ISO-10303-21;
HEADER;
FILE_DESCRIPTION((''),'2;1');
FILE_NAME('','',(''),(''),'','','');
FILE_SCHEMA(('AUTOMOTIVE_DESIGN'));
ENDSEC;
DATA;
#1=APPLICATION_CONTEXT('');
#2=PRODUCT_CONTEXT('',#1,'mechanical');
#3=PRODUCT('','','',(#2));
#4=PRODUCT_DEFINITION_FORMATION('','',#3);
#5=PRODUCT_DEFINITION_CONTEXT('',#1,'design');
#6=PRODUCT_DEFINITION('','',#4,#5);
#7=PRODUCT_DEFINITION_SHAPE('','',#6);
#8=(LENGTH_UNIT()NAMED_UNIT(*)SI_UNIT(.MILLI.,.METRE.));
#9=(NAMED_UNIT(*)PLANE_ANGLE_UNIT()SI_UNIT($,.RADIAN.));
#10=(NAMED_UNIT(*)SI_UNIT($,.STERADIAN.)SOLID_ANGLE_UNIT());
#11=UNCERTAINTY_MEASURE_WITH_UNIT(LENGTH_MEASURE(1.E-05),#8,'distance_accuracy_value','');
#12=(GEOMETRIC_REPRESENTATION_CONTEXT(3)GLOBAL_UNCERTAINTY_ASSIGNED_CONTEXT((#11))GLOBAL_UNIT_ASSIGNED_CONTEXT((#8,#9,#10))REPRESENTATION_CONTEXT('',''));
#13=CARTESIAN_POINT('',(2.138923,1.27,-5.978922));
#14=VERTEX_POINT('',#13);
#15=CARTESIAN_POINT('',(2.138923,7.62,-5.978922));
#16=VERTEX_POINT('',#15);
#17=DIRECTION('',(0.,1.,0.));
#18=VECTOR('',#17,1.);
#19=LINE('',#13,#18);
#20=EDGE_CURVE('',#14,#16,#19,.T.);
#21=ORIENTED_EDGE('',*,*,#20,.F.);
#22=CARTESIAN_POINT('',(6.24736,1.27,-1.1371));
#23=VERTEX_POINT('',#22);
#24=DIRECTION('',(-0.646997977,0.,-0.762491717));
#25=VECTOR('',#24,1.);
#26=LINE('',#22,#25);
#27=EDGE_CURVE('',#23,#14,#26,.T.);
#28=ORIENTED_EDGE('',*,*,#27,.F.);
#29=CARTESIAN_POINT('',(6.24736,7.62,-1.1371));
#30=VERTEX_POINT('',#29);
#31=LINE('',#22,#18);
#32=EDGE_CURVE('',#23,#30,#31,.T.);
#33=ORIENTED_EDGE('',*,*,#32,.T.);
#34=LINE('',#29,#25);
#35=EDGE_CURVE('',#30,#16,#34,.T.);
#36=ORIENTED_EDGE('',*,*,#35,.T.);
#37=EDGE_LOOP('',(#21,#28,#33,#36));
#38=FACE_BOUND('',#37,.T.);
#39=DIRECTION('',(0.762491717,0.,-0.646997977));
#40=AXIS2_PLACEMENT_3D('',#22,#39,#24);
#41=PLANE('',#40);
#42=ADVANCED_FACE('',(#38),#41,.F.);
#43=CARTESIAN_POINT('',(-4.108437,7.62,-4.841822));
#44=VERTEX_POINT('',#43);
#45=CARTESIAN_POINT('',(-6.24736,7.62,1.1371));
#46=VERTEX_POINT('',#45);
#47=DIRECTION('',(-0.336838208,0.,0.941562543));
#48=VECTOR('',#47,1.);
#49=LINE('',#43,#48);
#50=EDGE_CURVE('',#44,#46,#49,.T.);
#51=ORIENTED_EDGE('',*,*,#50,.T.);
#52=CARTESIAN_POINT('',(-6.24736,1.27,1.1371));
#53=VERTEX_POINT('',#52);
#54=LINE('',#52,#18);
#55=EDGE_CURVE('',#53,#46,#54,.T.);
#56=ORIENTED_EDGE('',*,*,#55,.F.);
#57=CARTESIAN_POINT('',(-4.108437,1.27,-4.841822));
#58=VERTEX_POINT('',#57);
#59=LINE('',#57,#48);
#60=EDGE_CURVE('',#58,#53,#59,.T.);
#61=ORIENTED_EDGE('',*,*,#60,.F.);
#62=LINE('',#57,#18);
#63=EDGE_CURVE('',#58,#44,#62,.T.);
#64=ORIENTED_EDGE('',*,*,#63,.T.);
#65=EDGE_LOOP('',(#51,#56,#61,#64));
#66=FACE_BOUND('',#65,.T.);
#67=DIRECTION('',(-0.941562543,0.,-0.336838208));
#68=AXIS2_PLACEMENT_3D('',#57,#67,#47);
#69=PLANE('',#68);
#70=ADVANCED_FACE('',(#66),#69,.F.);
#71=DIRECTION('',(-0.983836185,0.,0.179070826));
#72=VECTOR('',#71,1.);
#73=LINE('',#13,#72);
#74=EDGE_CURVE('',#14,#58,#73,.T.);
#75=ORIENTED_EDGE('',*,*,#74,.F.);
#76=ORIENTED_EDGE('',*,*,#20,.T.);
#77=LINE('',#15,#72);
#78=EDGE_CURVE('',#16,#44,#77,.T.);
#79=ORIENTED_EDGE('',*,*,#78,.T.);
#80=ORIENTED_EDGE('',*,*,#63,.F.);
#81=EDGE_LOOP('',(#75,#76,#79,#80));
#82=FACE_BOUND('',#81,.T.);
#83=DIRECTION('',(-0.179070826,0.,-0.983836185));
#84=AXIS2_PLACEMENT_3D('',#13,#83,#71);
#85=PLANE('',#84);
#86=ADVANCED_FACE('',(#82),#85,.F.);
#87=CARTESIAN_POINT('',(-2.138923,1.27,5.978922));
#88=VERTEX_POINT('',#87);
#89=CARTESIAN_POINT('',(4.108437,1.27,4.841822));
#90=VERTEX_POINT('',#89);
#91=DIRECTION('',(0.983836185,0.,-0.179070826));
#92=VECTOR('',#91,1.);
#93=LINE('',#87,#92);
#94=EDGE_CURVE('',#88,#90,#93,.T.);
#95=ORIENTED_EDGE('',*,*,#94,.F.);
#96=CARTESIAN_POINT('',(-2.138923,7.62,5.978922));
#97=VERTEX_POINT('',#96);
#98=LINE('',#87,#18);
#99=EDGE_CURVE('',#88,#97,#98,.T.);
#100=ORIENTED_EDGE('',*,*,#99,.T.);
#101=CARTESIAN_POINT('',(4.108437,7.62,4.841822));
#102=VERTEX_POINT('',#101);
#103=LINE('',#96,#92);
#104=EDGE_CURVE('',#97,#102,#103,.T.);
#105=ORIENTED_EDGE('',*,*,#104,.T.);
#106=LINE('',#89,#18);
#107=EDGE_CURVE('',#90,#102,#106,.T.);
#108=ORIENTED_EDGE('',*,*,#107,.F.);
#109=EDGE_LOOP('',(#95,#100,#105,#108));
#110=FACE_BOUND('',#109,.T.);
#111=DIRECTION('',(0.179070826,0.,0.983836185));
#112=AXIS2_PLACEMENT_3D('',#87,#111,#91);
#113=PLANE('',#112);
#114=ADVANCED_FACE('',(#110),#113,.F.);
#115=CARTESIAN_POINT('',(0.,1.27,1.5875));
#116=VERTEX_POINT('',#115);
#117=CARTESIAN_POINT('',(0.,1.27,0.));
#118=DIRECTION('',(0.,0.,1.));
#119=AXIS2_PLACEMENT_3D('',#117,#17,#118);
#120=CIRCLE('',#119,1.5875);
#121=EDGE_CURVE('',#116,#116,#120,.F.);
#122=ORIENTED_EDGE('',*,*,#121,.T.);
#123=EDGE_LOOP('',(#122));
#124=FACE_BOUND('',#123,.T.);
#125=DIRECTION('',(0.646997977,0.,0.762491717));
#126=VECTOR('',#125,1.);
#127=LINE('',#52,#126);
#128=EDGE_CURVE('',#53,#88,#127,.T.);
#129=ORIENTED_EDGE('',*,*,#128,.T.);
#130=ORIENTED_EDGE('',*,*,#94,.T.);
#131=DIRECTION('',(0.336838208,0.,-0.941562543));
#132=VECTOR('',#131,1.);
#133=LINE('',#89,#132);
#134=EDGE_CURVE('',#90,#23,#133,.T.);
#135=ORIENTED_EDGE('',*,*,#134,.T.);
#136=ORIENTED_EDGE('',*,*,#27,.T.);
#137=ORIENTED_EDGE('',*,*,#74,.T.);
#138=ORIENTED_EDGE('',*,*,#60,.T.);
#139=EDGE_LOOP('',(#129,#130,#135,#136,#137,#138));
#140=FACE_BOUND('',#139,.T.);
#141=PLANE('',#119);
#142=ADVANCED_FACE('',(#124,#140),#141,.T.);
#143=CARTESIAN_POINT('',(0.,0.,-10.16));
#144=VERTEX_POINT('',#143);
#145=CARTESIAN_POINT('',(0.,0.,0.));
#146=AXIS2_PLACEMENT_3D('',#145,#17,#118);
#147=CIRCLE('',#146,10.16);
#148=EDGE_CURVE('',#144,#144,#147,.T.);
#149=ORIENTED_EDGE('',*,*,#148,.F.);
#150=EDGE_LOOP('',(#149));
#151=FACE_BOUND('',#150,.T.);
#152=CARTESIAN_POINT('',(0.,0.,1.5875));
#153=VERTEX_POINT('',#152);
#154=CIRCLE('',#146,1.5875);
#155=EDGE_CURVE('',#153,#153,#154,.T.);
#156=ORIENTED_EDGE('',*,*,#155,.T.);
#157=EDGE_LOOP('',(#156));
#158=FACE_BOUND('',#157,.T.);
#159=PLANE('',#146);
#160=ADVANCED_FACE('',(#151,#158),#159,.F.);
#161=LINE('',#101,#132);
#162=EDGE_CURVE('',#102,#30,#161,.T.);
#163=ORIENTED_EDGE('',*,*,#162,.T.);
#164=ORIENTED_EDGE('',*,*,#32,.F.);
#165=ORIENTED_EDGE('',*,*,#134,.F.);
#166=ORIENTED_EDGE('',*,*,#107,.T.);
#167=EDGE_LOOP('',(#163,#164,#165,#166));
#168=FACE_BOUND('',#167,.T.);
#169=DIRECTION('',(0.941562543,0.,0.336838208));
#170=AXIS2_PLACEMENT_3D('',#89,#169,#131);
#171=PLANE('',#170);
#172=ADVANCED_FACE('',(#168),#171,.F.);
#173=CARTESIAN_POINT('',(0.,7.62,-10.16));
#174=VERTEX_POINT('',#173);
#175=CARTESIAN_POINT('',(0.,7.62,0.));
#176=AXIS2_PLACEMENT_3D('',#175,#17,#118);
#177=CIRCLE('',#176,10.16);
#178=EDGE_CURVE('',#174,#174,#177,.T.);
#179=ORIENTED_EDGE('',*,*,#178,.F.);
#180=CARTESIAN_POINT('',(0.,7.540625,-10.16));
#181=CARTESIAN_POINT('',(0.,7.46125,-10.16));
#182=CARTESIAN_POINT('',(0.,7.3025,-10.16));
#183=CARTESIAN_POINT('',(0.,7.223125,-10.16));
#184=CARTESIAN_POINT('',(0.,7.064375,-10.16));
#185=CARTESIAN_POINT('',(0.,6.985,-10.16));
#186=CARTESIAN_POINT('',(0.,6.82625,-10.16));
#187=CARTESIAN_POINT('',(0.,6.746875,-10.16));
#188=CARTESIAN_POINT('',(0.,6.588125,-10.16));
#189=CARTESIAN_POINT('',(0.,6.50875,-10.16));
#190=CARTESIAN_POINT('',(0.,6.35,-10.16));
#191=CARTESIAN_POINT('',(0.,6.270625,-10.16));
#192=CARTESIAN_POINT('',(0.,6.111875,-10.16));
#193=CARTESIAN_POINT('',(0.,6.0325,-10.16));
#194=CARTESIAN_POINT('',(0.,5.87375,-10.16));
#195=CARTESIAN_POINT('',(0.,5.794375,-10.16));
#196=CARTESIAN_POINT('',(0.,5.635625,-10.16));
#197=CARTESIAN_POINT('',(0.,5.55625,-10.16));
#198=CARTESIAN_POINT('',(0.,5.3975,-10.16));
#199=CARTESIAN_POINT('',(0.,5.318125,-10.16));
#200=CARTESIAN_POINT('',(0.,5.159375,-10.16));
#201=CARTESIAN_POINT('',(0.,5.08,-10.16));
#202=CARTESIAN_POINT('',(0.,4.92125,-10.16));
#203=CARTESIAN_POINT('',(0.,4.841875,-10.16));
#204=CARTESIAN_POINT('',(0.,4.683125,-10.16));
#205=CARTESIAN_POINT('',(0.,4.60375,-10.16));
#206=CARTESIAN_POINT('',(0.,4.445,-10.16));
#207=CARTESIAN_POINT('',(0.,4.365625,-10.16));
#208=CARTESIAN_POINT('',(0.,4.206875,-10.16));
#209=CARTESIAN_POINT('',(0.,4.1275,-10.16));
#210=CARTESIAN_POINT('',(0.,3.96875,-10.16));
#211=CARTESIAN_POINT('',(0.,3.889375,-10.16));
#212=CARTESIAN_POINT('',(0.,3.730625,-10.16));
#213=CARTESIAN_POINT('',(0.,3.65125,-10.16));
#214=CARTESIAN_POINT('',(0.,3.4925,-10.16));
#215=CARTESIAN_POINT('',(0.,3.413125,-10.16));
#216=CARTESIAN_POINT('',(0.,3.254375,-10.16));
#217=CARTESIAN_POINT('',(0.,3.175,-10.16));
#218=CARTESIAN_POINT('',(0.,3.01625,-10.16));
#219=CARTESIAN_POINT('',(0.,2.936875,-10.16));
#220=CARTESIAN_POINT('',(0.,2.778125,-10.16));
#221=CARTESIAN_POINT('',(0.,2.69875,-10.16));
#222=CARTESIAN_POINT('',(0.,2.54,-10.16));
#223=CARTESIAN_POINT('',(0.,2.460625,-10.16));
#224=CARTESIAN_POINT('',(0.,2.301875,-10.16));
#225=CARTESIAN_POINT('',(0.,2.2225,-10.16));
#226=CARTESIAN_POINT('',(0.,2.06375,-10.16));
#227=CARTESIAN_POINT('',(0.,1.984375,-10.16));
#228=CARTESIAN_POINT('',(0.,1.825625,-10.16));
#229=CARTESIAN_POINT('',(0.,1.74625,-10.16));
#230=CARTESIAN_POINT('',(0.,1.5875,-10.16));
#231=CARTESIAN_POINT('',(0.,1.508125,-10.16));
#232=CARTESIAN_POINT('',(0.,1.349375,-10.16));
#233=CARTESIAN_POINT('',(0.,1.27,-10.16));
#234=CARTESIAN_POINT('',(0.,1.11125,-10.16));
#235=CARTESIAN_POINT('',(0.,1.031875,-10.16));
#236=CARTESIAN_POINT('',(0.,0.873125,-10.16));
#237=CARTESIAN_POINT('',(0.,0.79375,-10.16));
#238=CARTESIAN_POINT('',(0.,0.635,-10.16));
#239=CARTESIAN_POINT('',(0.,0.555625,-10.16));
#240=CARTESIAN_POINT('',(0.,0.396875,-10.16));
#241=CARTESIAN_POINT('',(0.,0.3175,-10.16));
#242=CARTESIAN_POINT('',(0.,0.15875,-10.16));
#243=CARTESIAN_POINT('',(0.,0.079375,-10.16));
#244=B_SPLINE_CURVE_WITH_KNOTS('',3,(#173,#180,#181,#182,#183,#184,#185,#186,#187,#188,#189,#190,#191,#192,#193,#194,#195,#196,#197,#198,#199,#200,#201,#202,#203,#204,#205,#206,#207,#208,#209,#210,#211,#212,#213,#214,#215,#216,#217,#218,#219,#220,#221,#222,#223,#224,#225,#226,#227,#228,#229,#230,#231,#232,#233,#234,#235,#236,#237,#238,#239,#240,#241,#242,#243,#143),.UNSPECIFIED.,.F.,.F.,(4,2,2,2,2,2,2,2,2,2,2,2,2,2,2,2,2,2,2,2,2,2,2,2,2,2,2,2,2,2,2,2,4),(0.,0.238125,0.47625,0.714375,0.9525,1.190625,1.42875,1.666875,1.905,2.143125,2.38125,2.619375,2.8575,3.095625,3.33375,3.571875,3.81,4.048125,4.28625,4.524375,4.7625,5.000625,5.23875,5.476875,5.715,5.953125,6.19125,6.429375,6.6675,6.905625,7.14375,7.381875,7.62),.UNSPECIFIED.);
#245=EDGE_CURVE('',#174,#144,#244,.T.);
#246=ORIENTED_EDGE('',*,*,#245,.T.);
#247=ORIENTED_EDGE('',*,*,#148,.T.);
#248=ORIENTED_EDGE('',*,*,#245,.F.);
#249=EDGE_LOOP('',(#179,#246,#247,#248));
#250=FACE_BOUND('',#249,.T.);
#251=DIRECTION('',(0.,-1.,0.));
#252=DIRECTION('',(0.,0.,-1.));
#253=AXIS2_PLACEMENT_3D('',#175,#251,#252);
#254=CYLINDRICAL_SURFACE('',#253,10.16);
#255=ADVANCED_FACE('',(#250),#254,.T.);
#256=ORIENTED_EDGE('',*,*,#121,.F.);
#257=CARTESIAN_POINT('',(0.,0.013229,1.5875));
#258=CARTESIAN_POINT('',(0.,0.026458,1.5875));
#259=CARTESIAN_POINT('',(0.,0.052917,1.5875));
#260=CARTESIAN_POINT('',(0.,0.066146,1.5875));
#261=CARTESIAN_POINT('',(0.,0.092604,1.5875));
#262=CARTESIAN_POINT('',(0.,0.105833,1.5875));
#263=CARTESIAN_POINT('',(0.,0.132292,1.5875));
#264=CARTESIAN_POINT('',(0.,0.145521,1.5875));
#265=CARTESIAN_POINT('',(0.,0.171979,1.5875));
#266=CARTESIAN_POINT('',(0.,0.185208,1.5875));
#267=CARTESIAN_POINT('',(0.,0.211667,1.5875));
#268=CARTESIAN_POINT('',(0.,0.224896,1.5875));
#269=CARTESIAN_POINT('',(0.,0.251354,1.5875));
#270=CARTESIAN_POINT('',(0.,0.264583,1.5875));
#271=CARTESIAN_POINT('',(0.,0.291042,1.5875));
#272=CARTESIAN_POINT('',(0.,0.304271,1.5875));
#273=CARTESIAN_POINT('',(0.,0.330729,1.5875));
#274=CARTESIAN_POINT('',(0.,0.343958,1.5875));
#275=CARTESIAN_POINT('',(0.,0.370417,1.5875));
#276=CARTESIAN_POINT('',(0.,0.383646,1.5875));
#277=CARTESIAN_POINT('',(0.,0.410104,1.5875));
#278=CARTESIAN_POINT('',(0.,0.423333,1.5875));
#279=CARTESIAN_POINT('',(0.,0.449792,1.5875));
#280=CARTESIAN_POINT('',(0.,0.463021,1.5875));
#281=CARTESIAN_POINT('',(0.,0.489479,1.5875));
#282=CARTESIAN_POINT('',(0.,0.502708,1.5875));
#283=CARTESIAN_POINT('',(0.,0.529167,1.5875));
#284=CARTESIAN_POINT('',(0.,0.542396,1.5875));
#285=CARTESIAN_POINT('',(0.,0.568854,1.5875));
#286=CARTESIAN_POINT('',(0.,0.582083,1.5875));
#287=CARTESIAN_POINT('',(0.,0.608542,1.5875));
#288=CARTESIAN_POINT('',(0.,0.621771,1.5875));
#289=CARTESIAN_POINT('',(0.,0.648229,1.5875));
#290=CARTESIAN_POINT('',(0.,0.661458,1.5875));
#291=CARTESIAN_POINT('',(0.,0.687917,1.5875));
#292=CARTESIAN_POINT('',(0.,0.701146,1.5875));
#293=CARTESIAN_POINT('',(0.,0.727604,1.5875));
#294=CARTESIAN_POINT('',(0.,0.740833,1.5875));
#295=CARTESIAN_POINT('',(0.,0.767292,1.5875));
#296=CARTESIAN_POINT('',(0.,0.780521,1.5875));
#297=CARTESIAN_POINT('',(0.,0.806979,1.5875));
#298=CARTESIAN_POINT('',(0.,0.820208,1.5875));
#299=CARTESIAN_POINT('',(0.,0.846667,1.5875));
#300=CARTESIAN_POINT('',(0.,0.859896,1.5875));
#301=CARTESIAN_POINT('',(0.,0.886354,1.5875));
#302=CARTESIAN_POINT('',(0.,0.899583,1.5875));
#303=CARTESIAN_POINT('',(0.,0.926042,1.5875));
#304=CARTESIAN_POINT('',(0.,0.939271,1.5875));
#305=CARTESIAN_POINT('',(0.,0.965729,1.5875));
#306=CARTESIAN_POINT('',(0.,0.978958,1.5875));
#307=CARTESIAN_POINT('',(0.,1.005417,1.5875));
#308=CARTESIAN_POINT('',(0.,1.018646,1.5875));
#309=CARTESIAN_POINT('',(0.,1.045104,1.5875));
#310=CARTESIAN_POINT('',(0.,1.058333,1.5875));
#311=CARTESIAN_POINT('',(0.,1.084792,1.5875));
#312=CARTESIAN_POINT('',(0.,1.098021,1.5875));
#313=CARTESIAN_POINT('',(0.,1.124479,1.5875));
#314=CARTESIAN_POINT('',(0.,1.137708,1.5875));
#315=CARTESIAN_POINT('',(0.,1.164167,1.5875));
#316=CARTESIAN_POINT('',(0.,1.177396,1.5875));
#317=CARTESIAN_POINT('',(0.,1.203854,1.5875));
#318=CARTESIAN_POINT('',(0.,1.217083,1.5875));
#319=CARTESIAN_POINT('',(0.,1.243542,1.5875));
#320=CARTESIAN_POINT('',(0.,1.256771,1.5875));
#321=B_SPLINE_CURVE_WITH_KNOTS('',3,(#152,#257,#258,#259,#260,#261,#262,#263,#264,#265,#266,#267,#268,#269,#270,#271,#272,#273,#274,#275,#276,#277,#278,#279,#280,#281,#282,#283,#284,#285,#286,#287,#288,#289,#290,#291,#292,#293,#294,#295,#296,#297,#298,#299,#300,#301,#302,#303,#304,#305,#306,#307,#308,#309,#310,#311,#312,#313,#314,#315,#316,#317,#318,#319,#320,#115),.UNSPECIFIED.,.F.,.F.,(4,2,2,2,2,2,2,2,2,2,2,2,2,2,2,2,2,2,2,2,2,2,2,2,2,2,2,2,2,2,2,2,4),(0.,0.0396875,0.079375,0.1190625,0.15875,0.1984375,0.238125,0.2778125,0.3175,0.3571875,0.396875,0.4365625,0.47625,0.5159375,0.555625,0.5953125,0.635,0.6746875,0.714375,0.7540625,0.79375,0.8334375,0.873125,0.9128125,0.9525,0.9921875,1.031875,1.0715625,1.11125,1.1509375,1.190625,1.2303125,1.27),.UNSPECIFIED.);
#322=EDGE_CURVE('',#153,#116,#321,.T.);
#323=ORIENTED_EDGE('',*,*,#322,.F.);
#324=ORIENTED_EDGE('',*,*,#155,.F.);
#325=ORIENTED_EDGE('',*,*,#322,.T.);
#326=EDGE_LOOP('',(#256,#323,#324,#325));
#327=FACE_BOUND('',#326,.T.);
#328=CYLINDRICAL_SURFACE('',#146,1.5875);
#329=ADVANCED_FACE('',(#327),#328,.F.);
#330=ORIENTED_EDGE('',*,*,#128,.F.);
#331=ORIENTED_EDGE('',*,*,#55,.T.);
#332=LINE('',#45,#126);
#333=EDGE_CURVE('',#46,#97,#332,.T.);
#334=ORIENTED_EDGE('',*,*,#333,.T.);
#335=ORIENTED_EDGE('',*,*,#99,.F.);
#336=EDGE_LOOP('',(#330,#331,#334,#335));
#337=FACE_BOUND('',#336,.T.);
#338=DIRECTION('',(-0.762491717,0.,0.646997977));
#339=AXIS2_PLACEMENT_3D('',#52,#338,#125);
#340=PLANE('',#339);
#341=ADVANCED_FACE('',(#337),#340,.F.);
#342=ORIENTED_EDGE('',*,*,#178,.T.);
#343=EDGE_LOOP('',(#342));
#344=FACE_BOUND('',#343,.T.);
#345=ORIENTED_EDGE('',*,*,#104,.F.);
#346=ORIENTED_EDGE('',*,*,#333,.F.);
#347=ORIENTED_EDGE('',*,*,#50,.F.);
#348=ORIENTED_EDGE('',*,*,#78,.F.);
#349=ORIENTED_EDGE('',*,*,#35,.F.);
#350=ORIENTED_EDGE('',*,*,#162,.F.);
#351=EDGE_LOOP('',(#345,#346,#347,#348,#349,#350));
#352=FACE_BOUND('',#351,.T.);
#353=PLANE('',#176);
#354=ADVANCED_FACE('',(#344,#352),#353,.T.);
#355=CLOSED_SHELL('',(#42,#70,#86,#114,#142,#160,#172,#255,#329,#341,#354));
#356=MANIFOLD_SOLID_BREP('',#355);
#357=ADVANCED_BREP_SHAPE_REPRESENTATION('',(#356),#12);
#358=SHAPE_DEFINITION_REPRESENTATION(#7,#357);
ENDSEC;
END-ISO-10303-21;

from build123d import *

# Parameters (mm, degrees)
SKETCH1_R           = 10.16
BOSS_EXTRUDE1_DEPTH = 7.62
SKETCH2_R           = 1.5875
CUT_EXTRUDE4_DEPTH  = 17.263935563
CUT_EXTRUDE5_DEPTH  = 6.35


with BuildPart() as part:
    # Sketch1 → Boss-Extrude1 (new body)
    with BuildSketch(Plane(origin=(0, 0, 0), x_dir=(1, 0, 0), z_dir=(0, 1, 0))):
        with Locations(Location((0, 0, 0), (0, 0, 90))):
            Circle(SKETCH1_R)
    extrude(amount=BOSS_EXTRUDE1_DEPTH)

    # Sketch2 → Cut-Extrude4 (cut, through all)
    with BuildSketch(Plane(origin=(0, 7.62, 0), x_dir=(1, 0, 0), z_dir=(0, 1, 0))):
        with Locations(Location((0, 0, 0), (0, 0, 270))):
            Circle(SKETCH2_R)
    extrude(amount=-CUT_EXTRUDE4_DEPTH, mode=Mode.SUBTRACT)

    # Sketch5 → Cut-Extrude5 (cut)
    with BuildSketch(Plane(origin=(0, 7.62, 0), x_dir=(1, 0, 0), z_dir=(0, 1, 0))):
        Polygon((6.247359776, 1.137099745), (2.138922622, 5.978922145), (-4.108437154, 4.8418224), (-6.247359776, -1.137099745), (-2.138922622, -5.978922145), (4.108437154, -4.8418224), align=None)
    extrude(amount=-CUT_EXTRUDE5_DEPTH, mode=Mode.SUBTRACT)


solid = part.part
